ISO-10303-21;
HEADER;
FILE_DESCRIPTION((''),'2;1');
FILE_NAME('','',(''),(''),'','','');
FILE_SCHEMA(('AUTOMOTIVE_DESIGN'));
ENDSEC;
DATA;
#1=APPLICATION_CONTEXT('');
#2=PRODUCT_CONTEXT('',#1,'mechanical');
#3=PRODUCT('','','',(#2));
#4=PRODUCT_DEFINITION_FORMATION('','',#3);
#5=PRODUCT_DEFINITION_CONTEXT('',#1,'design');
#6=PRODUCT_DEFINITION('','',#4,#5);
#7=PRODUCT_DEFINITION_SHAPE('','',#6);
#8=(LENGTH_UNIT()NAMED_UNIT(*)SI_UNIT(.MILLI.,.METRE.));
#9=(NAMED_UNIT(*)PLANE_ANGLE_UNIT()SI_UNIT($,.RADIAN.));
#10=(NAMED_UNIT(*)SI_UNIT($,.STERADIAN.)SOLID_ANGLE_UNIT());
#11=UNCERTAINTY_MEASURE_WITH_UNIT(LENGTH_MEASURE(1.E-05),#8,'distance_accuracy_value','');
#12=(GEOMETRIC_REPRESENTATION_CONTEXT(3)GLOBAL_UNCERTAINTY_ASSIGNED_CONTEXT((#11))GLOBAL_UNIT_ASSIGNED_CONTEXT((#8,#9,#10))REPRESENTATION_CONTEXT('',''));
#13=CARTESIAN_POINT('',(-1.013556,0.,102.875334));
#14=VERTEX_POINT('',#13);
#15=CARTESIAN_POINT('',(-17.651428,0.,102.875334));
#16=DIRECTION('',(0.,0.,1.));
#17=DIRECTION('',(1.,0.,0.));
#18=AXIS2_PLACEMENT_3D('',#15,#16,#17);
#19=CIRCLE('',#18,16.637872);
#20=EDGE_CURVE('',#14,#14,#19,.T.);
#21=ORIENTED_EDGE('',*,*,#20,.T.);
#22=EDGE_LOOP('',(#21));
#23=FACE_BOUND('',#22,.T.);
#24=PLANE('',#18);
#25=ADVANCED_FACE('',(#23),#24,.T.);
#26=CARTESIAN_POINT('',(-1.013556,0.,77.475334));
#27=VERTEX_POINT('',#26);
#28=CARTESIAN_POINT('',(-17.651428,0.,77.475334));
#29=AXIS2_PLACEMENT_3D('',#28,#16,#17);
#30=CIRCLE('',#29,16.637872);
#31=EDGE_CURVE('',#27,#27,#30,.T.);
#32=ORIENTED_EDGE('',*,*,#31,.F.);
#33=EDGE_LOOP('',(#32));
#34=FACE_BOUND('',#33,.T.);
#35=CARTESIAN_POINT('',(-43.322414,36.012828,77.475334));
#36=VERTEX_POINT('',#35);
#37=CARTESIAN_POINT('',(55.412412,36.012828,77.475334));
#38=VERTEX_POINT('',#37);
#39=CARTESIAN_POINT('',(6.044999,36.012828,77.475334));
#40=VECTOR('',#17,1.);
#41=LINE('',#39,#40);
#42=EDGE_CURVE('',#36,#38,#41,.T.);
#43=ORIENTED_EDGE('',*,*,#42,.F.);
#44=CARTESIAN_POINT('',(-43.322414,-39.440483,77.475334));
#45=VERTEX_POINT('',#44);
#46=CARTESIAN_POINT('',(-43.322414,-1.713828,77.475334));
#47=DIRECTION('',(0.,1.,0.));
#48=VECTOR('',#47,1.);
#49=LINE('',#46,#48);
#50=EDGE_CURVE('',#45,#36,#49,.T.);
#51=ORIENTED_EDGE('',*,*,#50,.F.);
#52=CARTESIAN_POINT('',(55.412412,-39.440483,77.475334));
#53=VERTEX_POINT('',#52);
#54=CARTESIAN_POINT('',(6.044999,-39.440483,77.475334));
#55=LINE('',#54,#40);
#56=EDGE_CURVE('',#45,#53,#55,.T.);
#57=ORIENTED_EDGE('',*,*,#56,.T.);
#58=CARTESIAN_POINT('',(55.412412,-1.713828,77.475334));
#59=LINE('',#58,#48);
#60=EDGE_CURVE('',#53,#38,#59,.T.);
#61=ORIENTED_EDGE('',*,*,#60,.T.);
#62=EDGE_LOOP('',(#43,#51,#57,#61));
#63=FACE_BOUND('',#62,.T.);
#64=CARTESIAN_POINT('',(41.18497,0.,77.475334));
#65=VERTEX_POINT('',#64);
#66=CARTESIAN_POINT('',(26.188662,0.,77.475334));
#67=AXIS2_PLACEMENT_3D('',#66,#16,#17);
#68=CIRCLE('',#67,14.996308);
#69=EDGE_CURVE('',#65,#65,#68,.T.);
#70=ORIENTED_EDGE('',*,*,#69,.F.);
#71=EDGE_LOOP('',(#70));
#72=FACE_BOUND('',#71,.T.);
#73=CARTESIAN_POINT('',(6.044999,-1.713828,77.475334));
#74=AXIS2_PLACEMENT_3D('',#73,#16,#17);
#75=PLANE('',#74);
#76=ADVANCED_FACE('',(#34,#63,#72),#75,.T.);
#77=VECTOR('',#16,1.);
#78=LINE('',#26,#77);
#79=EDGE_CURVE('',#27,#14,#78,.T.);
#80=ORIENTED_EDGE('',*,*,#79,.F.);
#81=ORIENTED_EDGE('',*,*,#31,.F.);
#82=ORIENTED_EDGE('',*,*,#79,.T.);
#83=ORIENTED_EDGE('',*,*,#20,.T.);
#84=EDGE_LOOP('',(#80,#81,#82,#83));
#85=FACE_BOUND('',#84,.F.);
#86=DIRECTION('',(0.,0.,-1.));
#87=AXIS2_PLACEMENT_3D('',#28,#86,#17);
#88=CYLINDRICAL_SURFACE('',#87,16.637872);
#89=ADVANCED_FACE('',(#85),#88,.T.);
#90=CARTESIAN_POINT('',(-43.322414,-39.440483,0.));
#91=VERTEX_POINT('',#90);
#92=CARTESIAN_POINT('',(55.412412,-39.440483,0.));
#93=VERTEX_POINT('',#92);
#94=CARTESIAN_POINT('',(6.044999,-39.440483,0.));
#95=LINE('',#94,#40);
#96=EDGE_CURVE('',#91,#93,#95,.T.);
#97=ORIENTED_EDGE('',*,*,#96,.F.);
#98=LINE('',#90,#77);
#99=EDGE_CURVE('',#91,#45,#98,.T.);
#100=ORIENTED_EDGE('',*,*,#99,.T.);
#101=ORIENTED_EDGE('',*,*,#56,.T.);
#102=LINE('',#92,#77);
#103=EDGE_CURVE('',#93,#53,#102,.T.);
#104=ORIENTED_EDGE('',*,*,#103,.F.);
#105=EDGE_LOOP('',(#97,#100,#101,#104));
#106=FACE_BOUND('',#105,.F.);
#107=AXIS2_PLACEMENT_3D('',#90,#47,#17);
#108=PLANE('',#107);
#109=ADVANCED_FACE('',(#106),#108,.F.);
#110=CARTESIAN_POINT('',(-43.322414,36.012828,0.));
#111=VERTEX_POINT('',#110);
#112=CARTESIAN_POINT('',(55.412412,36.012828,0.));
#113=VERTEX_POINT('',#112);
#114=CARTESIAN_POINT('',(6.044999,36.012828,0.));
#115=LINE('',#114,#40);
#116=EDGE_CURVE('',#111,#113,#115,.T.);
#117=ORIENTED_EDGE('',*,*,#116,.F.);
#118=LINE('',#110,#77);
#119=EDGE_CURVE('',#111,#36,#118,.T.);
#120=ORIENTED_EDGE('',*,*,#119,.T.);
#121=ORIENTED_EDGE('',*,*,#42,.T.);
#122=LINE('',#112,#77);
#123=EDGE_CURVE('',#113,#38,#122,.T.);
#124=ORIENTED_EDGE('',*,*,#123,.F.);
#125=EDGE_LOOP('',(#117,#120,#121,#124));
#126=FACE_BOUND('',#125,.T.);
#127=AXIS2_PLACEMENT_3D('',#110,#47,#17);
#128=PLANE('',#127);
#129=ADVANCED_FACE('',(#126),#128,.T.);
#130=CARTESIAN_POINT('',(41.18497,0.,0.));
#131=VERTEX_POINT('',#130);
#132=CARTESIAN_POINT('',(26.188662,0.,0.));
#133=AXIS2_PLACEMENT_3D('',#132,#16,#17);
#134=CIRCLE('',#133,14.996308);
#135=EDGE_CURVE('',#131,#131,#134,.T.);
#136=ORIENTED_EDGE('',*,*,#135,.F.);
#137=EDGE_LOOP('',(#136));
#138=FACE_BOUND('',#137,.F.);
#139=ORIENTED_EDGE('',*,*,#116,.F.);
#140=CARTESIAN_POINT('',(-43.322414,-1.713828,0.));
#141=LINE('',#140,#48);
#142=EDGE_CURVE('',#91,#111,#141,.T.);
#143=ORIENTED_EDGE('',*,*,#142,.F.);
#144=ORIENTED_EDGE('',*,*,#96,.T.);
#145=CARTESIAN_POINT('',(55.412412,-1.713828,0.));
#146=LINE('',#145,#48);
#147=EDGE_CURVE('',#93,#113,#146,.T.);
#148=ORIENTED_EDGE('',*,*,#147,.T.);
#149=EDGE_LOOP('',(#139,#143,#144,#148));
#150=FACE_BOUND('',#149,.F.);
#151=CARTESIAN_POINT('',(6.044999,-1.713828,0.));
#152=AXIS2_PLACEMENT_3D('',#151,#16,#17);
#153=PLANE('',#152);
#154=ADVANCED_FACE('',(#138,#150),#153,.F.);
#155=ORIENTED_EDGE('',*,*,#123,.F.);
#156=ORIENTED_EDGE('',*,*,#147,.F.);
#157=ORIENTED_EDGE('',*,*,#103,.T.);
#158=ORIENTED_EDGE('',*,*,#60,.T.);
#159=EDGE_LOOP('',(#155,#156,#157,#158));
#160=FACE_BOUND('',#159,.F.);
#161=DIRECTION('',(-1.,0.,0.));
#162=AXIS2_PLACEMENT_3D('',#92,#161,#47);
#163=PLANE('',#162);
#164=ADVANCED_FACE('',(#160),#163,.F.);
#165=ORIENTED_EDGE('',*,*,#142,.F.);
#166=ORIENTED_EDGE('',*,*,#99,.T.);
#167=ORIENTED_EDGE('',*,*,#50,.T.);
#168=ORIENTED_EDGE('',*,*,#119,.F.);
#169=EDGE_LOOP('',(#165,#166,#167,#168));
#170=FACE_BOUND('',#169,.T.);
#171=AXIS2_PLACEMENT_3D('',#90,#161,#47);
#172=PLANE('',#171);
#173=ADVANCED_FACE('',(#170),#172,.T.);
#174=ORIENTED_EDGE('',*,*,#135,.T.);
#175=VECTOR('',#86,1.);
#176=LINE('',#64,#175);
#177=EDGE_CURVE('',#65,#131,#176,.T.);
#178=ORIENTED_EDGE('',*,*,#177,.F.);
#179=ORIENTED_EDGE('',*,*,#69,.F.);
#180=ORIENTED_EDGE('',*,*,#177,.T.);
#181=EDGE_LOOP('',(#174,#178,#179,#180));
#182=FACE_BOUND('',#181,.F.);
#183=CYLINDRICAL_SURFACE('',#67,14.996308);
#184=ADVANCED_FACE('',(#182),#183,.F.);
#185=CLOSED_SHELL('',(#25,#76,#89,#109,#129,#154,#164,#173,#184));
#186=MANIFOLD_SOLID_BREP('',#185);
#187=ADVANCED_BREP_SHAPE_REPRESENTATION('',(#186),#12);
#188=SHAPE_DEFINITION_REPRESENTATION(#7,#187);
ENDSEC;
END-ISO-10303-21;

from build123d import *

# Parameters (mm, degrees)
F0_W     = 98.734826
F0_H     = 75.453311
F1_DEPTH = 77.475334
F2_R     = 14.996308
F3_DEPTH = 122.458426
F4_R     = 16.637872
F5_DEPTH = 25.4


with BuildPart() as f1:
    # F0 (on Top) → F1 (new body)
    with BuildSketch(Plane.XY):
        with Locations((6.044999, -1.713828)):
            Rectangle(F0_W, F0_H)
    extrude(amount=F1_DEPTH)

    # F2 (on face) → F3 (cut)
    with BuildSketch(Plane.XY.offset(77.475334)):
        with Locations((26.188662, 0)):
            Circle(F2_R)
    extrude(amount=-F3_DEPTH, mode=Mode.SUBTRACT)

    # F4 (on face) → F5 (join)
    with BuildSketch(Plane.XY.offset(77.475334)):
        with Locations((-17.651428, 0)):
            Circle(F4_R)
    extrude(amount=F5_DEPTH)


solid = f1.part
